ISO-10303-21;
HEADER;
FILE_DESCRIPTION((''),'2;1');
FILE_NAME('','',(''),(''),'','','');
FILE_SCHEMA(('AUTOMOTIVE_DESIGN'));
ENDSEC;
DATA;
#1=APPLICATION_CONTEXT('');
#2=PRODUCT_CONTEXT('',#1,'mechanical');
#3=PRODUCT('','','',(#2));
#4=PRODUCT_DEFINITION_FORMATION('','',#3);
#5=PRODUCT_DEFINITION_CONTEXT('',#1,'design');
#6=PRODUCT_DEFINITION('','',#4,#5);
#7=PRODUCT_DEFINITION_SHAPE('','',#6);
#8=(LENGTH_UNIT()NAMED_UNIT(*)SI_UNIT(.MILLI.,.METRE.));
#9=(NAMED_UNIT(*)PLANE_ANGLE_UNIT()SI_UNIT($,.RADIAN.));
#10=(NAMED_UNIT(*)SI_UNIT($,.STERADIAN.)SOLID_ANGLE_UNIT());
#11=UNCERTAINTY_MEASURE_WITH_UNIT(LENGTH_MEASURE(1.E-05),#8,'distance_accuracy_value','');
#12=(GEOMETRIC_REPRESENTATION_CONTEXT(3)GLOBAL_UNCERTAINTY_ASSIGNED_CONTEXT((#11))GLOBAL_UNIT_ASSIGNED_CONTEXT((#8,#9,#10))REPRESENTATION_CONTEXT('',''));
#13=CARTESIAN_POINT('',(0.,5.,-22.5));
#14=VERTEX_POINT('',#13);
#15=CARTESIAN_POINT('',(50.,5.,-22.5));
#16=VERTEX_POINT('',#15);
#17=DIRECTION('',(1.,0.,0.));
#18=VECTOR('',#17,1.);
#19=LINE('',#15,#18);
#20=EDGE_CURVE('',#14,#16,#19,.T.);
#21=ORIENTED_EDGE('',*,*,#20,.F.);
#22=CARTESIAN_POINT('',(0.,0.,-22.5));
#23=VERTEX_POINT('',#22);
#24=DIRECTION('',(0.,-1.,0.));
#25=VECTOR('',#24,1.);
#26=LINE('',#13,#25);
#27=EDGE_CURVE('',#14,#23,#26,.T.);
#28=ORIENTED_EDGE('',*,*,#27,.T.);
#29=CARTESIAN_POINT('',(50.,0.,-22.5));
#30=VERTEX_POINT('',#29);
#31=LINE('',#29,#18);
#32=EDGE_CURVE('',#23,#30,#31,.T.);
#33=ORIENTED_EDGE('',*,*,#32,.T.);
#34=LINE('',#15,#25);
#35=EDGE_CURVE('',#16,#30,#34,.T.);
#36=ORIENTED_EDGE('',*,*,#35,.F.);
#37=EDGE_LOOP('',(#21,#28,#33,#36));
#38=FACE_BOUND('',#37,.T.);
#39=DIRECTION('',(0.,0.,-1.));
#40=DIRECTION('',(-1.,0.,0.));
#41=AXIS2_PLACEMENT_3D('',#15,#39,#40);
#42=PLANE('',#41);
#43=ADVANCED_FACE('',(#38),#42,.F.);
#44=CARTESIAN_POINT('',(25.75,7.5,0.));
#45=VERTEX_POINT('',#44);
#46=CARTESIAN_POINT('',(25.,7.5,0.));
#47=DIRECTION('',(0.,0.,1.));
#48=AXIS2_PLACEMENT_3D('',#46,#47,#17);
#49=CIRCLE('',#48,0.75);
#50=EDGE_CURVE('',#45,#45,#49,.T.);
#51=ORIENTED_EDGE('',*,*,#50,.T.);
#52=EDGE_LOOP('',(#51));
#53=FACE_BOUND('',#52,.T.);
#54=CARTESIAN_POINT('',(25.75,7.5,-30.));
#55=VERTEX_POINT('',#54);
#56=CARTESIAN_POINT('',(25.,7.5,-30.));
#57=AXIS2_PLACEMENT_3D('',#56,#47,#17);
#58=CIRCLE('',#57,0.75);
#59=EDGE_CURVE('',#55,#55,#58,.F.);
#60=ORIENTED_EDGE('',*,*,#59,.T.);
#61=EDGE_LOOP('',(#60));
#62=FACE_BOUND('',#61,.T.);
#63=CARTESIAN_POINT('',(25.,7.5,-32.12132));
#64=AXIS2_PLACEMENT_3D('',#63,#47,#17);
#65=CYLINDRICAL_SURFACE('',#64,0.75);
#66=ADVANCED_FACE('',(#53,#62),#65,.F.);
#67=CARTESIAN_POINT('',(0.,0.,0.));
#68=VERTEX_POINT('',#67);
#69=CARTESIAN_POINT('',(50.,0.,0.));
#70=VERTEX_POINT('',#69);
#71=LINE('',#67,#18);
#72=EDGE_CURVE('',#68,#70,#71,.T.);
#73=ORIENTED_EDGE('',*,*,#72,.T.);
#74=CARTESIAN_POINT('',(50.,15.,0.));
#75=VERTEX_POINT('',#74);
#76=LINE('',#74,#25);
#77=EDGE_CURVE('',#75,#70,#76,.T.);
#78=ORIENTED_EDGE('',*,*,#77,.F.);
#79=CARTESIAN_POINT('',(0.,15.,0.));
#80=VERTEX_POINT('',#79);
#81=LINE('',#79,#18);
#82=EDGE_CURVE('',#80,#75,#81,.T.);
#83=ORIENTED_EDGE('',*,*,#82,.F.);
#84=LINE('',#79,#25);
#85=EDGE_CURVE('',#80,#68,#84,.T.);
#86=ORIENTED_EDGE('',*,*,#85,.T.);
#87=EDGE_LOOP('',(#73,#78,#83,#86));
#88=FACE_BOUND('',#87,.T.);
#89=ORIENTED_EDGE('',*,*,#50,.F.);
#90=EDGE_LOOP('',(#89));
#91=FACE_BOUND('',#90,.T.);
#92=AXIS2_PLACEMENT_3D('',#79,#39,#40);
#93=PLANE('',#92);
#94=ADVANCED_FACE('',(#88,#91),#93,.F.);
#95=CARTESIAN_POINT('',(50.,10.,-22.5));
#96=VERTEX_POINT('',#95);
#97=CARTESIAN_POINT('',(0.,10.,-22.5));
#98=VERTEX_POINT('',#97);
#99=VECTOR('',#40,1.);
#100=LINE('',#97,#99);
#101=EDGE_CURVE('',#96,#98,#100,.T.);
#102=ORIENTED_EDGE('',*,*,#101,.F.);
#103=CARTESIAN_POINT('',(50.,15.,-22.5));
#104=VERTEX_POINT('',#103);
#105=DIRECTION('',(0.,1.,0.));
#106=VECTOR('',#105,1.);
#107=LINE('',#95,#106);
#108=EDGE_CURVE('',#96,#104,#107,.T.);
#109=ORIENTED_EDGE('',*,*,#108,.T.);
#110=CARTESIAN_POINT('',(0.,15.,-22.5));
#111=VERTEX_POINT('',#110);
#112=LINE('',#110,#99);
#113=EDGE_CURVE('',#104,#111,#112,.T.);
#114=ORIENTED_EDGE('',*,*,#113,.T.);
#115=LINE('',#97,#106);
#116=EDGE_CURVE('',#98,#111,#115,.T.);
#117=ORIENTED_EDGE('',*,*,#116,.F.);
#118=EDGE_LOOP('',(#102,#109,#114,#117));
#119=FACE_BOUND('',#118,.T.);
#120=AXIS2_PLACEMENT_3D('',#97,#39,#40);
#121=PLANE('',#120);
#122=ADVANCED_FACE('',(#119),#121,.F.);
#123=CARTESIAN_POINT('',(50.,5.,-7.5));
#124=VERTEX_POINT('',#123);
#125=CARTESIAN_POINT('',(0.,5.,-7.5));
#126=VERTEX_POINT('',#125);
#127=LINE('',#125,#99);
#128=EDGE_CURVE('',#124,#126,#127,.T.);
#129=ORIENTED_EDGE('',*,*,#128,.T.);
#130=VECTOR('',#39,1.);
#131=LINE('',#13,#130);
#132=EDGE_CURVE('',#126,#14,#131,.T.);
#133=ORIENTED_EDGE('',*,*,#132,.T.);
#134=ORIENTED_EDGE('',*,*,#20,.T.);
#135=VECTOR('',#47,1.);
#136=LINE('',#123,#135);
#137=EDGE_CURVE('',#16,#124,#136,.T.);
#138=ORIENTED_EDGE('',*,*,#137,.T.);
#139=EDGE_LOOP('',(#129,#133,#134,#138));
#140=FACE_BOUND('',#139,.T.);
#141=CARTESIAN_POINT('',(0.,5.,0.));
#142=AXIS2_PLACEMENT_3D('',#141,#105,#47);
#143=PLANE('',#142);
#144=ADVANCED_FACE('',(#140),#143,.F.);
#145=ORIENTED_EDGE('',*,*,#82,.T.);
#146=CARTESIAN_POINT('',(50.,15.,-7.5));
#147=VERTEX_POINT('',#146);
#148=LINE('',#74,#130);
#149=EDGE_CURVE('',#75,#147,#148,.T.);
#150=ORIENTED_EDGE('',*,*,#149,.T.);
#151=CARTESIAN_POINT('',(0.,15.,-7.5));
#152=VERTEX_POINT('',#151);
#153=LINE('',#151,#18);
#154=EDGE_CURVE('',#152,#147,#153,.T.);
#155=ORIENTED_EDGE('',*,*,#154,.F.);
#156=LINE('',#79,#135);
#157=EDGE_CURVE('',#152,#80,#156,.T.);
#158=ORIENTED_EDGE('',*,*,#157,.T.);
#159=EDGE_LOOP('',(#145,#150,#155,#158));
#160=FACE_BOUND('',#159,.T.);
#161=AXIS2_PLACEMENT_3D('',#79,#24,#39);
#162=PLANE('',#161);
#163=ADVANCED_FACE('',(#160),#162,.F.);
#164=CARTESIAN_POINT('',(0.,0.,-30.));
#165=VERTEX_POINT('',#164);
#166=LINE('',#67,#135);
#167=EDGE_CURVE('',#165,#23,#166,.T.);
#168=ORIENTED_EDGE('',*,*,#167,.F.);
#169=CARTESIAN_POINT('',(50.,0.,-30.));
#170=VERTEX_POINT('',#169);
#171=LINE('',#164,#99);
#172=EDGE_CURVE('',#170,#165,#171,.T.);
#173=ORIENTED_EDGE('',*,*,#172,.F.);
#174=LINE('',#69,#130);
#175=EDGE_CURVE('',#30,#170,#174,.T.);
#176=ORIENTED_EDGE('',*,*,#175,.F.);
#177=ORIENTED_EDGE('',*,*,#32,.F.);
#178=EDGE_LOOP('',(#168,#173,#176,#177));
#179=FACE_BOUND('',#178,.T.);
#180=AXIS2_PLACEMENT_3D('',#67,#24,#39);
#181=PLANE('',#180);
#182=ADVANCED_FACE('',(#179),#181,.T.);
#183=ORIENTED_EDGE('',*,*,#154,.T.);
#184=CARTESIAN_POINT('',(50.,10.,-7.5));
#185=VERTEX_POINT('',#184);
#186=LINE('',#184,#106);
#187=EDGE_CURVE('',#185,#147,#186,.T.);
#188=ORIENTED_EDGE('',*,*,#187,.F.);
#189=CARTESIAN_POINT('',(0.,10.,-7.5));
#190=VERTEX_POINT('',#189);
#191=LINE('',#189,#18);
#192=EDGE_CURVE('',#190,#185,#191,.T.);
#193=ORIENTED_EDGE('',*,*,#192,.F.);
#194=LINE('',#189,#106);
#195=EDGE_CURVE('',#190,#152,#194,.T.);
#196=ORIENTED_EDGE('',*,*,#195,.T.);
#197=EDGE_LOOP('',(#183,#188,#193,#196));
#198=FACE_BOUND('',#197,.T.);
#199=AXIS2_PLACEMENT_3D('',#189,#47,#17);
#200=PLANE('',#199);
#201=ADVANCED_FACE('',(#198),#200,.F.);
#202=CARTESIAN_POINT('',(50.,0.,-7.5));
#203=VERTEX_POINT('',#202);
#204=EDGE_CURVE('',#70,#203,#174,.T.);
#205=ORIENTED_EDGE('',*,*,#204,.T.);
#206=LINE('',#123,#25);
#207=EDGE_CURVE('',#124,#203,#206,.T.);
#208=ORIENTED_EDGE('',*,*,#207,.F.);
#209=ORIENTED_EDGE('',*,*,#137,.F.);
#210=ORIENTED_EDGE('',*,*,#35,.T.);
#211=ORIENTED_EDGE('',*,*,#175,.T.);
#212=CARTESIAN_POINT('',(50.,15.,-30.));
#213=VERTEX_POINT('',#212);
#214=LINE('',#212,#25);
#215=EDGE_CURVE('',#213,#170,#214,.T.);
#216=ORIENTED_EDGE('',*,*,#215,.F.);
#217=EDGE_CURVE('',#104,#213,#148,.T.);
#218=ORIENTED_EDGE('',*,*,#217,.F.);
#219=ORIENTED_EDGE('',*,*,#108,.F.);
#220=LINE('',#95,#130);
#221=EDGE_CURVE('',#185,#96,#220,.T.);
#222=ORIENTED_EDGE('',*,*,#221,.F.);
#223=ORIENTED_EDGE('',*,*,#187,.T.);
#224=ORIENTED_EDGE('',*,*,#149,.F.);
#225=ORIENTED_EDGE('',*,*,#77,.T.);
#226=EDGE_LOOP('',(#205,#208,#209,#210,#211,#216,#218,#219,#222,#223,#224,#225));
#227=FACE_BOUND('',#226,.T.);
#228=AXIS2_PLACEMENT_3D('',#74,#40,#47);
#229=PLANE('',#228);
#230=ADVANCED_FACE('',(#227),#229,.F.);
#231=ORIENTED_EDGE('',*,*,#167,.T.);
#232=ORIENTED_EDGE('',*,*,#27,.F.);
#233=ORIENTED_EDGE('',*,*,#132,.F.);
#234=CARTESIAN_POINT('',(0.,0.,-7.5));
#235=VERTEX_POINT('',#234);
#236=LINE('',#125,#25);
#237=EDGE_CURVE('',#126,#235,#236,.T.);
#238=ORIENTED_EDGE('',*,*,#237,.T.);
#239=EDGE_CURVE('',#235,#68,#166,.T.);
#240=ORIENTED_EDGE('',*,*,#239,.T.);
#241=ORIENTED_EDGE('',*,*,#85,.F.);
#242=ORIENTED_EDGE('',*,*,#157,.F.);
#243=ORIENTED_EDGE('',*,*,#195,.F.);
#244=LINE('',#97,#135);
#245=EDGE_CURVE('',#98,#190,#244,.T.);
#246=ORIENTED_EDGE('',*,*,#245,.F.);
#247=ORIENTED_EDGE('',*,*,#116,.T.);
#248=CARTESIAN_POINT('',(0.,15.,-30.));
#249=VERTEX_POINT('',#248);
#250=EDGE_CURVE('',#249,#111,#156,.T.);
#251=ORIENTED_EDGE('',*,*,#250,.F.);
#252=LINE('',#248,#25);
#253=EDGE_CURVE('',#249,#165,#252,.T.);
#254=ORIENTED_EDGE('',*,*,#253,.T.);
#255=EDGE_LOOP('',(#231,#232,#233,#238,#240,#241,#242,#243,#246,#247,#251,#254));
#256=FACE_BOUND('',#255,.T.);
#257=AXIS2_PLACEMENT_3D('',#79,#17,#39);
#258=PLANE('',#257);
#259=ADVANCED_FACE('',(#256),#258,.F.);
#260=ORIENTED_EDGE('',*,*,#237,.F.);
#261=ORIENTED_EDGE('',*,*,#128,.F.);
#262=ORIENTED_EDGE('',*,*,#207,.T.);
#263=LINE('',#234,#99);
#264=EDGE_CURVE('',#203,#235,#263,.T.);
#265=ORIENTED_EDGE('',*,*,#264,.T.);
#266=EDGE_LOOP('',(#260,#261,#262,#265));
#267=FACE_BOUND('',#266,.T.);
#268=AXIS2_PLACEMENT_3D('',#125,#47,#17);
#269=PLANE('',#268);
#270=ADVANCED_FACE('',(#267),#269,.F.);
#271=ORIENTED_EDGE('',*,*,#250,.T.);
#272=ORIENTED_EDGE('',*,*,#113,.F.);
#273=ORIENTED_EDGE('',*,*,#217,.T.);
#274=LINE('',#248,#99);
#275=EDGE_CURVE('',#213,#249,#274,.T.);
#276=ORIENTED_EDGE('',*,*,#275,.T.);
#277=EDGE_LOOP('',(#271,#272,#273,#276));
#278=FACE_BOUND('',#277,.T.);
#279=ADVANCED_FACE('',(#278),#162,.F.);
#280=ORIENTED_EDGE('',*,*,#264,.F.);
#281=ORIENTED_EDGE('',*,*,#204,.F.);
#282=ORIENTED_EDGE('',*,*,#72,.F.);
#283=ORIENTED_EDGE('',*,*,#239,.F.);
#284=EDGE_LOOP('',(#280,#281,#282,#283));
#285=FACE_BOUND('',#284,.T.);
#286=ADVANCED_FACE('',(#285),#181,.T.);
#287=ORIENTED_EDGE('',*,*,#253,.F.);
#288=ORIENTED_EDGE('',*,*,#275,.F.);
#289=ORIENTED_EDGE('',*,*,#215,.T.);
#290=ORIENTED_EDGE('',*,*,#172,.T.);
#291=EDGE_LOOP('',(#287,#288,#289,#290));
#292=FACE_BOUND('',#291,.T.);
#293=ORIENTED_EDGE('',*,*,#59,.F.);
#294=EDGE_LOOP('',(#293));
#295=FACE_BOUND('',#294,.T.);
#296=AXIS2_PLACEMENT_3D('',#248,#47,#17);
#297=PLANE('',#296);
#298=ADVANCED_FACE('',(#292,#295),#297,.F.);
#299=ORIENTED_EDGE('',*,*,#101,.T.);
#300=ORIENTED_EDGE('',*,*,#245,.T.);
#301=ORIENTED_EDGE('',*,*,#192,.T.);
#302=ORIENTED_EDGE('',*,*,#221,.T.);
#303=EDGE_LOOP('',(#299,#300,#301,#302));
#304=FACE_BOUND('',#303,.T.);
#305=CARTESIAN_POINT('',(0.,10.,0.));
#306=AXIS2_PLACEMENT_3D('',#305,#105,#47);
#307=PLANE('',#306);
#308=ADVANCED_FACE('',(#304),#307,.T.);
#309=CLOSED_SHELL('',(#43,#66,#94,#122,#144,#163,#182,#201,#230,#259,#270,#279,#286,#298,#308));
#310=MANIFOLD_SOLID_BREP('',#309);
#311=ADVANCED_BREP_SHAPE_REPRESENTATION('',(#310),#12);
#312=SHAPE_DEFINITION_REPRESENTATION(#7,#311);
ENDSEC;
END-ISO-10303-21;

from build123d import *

# Parameters (mm, degrees)
SKETCH1_W           = 50
SKETCH1_H           = 30
BOSS_EXTRUDE1_DEPTH = 15
SKETCH2_W           = 50
SKETCH2_H           = 15
CUT_EXTRUDE1_DEPTH  = 5
SKETCH3_W           = 50
SKETCH3_H           = 15
CUT_EXTRUDE2_DEPTH  = 5
SKETCH4_R           = 0.75
CUT_EXTRUDE3_DEPTH  = 30


with BuildPart() as part:
    # Sketch1 → Boss-Extrude1 (new body)
    with BuildSketch(Plane(origin=(0, 0, 0), x_dir=(1, 0, 0), z_dir=(0, 1, 0))):
        with Locations((25, 15)):
            Rectangle(SKETCH1_W, SKETCH1_H)
    extrude(amount=BOSS_EXTRUDE1_DEPTH)

    # Sketch2 → Cut-Extrude1 (cut)
    with BuildSketch(Plane(origin=(0, 15, 0), x_dir=(1, 0, 0), z_dir=(0, 1, 0))):
        with Locations((25, 15)):
            Rectangle(SKETCH2_W, SKETCH2_H)
    extrude(amount=-CUT_EXTRUDE1_DEPTH, mode=Mode.SUBTRACT)

    # Sketch3 → Cut-Extrude2 (cut)
    with BuildSketch(Plane.XZ):
        with Locations((25, -15)):
            Rectangle(SKETCH3_W, SKETCH3_H)
    extrude(amount=-CUT_EXTRUDE2_DEPTH, mode=Mode.SUBTRACT)

    # Sketch4 → Cut-Extrude3 (cut)
    with BuildSketch(Plane.XY):
        with Locations((25, 7.5)):
            Circle(SKETCH4_R)
    extrude(amount=-CUT_EXTRUDE3_DEPTH, mode=Mode.SUBTRACT)


solid = part.part
